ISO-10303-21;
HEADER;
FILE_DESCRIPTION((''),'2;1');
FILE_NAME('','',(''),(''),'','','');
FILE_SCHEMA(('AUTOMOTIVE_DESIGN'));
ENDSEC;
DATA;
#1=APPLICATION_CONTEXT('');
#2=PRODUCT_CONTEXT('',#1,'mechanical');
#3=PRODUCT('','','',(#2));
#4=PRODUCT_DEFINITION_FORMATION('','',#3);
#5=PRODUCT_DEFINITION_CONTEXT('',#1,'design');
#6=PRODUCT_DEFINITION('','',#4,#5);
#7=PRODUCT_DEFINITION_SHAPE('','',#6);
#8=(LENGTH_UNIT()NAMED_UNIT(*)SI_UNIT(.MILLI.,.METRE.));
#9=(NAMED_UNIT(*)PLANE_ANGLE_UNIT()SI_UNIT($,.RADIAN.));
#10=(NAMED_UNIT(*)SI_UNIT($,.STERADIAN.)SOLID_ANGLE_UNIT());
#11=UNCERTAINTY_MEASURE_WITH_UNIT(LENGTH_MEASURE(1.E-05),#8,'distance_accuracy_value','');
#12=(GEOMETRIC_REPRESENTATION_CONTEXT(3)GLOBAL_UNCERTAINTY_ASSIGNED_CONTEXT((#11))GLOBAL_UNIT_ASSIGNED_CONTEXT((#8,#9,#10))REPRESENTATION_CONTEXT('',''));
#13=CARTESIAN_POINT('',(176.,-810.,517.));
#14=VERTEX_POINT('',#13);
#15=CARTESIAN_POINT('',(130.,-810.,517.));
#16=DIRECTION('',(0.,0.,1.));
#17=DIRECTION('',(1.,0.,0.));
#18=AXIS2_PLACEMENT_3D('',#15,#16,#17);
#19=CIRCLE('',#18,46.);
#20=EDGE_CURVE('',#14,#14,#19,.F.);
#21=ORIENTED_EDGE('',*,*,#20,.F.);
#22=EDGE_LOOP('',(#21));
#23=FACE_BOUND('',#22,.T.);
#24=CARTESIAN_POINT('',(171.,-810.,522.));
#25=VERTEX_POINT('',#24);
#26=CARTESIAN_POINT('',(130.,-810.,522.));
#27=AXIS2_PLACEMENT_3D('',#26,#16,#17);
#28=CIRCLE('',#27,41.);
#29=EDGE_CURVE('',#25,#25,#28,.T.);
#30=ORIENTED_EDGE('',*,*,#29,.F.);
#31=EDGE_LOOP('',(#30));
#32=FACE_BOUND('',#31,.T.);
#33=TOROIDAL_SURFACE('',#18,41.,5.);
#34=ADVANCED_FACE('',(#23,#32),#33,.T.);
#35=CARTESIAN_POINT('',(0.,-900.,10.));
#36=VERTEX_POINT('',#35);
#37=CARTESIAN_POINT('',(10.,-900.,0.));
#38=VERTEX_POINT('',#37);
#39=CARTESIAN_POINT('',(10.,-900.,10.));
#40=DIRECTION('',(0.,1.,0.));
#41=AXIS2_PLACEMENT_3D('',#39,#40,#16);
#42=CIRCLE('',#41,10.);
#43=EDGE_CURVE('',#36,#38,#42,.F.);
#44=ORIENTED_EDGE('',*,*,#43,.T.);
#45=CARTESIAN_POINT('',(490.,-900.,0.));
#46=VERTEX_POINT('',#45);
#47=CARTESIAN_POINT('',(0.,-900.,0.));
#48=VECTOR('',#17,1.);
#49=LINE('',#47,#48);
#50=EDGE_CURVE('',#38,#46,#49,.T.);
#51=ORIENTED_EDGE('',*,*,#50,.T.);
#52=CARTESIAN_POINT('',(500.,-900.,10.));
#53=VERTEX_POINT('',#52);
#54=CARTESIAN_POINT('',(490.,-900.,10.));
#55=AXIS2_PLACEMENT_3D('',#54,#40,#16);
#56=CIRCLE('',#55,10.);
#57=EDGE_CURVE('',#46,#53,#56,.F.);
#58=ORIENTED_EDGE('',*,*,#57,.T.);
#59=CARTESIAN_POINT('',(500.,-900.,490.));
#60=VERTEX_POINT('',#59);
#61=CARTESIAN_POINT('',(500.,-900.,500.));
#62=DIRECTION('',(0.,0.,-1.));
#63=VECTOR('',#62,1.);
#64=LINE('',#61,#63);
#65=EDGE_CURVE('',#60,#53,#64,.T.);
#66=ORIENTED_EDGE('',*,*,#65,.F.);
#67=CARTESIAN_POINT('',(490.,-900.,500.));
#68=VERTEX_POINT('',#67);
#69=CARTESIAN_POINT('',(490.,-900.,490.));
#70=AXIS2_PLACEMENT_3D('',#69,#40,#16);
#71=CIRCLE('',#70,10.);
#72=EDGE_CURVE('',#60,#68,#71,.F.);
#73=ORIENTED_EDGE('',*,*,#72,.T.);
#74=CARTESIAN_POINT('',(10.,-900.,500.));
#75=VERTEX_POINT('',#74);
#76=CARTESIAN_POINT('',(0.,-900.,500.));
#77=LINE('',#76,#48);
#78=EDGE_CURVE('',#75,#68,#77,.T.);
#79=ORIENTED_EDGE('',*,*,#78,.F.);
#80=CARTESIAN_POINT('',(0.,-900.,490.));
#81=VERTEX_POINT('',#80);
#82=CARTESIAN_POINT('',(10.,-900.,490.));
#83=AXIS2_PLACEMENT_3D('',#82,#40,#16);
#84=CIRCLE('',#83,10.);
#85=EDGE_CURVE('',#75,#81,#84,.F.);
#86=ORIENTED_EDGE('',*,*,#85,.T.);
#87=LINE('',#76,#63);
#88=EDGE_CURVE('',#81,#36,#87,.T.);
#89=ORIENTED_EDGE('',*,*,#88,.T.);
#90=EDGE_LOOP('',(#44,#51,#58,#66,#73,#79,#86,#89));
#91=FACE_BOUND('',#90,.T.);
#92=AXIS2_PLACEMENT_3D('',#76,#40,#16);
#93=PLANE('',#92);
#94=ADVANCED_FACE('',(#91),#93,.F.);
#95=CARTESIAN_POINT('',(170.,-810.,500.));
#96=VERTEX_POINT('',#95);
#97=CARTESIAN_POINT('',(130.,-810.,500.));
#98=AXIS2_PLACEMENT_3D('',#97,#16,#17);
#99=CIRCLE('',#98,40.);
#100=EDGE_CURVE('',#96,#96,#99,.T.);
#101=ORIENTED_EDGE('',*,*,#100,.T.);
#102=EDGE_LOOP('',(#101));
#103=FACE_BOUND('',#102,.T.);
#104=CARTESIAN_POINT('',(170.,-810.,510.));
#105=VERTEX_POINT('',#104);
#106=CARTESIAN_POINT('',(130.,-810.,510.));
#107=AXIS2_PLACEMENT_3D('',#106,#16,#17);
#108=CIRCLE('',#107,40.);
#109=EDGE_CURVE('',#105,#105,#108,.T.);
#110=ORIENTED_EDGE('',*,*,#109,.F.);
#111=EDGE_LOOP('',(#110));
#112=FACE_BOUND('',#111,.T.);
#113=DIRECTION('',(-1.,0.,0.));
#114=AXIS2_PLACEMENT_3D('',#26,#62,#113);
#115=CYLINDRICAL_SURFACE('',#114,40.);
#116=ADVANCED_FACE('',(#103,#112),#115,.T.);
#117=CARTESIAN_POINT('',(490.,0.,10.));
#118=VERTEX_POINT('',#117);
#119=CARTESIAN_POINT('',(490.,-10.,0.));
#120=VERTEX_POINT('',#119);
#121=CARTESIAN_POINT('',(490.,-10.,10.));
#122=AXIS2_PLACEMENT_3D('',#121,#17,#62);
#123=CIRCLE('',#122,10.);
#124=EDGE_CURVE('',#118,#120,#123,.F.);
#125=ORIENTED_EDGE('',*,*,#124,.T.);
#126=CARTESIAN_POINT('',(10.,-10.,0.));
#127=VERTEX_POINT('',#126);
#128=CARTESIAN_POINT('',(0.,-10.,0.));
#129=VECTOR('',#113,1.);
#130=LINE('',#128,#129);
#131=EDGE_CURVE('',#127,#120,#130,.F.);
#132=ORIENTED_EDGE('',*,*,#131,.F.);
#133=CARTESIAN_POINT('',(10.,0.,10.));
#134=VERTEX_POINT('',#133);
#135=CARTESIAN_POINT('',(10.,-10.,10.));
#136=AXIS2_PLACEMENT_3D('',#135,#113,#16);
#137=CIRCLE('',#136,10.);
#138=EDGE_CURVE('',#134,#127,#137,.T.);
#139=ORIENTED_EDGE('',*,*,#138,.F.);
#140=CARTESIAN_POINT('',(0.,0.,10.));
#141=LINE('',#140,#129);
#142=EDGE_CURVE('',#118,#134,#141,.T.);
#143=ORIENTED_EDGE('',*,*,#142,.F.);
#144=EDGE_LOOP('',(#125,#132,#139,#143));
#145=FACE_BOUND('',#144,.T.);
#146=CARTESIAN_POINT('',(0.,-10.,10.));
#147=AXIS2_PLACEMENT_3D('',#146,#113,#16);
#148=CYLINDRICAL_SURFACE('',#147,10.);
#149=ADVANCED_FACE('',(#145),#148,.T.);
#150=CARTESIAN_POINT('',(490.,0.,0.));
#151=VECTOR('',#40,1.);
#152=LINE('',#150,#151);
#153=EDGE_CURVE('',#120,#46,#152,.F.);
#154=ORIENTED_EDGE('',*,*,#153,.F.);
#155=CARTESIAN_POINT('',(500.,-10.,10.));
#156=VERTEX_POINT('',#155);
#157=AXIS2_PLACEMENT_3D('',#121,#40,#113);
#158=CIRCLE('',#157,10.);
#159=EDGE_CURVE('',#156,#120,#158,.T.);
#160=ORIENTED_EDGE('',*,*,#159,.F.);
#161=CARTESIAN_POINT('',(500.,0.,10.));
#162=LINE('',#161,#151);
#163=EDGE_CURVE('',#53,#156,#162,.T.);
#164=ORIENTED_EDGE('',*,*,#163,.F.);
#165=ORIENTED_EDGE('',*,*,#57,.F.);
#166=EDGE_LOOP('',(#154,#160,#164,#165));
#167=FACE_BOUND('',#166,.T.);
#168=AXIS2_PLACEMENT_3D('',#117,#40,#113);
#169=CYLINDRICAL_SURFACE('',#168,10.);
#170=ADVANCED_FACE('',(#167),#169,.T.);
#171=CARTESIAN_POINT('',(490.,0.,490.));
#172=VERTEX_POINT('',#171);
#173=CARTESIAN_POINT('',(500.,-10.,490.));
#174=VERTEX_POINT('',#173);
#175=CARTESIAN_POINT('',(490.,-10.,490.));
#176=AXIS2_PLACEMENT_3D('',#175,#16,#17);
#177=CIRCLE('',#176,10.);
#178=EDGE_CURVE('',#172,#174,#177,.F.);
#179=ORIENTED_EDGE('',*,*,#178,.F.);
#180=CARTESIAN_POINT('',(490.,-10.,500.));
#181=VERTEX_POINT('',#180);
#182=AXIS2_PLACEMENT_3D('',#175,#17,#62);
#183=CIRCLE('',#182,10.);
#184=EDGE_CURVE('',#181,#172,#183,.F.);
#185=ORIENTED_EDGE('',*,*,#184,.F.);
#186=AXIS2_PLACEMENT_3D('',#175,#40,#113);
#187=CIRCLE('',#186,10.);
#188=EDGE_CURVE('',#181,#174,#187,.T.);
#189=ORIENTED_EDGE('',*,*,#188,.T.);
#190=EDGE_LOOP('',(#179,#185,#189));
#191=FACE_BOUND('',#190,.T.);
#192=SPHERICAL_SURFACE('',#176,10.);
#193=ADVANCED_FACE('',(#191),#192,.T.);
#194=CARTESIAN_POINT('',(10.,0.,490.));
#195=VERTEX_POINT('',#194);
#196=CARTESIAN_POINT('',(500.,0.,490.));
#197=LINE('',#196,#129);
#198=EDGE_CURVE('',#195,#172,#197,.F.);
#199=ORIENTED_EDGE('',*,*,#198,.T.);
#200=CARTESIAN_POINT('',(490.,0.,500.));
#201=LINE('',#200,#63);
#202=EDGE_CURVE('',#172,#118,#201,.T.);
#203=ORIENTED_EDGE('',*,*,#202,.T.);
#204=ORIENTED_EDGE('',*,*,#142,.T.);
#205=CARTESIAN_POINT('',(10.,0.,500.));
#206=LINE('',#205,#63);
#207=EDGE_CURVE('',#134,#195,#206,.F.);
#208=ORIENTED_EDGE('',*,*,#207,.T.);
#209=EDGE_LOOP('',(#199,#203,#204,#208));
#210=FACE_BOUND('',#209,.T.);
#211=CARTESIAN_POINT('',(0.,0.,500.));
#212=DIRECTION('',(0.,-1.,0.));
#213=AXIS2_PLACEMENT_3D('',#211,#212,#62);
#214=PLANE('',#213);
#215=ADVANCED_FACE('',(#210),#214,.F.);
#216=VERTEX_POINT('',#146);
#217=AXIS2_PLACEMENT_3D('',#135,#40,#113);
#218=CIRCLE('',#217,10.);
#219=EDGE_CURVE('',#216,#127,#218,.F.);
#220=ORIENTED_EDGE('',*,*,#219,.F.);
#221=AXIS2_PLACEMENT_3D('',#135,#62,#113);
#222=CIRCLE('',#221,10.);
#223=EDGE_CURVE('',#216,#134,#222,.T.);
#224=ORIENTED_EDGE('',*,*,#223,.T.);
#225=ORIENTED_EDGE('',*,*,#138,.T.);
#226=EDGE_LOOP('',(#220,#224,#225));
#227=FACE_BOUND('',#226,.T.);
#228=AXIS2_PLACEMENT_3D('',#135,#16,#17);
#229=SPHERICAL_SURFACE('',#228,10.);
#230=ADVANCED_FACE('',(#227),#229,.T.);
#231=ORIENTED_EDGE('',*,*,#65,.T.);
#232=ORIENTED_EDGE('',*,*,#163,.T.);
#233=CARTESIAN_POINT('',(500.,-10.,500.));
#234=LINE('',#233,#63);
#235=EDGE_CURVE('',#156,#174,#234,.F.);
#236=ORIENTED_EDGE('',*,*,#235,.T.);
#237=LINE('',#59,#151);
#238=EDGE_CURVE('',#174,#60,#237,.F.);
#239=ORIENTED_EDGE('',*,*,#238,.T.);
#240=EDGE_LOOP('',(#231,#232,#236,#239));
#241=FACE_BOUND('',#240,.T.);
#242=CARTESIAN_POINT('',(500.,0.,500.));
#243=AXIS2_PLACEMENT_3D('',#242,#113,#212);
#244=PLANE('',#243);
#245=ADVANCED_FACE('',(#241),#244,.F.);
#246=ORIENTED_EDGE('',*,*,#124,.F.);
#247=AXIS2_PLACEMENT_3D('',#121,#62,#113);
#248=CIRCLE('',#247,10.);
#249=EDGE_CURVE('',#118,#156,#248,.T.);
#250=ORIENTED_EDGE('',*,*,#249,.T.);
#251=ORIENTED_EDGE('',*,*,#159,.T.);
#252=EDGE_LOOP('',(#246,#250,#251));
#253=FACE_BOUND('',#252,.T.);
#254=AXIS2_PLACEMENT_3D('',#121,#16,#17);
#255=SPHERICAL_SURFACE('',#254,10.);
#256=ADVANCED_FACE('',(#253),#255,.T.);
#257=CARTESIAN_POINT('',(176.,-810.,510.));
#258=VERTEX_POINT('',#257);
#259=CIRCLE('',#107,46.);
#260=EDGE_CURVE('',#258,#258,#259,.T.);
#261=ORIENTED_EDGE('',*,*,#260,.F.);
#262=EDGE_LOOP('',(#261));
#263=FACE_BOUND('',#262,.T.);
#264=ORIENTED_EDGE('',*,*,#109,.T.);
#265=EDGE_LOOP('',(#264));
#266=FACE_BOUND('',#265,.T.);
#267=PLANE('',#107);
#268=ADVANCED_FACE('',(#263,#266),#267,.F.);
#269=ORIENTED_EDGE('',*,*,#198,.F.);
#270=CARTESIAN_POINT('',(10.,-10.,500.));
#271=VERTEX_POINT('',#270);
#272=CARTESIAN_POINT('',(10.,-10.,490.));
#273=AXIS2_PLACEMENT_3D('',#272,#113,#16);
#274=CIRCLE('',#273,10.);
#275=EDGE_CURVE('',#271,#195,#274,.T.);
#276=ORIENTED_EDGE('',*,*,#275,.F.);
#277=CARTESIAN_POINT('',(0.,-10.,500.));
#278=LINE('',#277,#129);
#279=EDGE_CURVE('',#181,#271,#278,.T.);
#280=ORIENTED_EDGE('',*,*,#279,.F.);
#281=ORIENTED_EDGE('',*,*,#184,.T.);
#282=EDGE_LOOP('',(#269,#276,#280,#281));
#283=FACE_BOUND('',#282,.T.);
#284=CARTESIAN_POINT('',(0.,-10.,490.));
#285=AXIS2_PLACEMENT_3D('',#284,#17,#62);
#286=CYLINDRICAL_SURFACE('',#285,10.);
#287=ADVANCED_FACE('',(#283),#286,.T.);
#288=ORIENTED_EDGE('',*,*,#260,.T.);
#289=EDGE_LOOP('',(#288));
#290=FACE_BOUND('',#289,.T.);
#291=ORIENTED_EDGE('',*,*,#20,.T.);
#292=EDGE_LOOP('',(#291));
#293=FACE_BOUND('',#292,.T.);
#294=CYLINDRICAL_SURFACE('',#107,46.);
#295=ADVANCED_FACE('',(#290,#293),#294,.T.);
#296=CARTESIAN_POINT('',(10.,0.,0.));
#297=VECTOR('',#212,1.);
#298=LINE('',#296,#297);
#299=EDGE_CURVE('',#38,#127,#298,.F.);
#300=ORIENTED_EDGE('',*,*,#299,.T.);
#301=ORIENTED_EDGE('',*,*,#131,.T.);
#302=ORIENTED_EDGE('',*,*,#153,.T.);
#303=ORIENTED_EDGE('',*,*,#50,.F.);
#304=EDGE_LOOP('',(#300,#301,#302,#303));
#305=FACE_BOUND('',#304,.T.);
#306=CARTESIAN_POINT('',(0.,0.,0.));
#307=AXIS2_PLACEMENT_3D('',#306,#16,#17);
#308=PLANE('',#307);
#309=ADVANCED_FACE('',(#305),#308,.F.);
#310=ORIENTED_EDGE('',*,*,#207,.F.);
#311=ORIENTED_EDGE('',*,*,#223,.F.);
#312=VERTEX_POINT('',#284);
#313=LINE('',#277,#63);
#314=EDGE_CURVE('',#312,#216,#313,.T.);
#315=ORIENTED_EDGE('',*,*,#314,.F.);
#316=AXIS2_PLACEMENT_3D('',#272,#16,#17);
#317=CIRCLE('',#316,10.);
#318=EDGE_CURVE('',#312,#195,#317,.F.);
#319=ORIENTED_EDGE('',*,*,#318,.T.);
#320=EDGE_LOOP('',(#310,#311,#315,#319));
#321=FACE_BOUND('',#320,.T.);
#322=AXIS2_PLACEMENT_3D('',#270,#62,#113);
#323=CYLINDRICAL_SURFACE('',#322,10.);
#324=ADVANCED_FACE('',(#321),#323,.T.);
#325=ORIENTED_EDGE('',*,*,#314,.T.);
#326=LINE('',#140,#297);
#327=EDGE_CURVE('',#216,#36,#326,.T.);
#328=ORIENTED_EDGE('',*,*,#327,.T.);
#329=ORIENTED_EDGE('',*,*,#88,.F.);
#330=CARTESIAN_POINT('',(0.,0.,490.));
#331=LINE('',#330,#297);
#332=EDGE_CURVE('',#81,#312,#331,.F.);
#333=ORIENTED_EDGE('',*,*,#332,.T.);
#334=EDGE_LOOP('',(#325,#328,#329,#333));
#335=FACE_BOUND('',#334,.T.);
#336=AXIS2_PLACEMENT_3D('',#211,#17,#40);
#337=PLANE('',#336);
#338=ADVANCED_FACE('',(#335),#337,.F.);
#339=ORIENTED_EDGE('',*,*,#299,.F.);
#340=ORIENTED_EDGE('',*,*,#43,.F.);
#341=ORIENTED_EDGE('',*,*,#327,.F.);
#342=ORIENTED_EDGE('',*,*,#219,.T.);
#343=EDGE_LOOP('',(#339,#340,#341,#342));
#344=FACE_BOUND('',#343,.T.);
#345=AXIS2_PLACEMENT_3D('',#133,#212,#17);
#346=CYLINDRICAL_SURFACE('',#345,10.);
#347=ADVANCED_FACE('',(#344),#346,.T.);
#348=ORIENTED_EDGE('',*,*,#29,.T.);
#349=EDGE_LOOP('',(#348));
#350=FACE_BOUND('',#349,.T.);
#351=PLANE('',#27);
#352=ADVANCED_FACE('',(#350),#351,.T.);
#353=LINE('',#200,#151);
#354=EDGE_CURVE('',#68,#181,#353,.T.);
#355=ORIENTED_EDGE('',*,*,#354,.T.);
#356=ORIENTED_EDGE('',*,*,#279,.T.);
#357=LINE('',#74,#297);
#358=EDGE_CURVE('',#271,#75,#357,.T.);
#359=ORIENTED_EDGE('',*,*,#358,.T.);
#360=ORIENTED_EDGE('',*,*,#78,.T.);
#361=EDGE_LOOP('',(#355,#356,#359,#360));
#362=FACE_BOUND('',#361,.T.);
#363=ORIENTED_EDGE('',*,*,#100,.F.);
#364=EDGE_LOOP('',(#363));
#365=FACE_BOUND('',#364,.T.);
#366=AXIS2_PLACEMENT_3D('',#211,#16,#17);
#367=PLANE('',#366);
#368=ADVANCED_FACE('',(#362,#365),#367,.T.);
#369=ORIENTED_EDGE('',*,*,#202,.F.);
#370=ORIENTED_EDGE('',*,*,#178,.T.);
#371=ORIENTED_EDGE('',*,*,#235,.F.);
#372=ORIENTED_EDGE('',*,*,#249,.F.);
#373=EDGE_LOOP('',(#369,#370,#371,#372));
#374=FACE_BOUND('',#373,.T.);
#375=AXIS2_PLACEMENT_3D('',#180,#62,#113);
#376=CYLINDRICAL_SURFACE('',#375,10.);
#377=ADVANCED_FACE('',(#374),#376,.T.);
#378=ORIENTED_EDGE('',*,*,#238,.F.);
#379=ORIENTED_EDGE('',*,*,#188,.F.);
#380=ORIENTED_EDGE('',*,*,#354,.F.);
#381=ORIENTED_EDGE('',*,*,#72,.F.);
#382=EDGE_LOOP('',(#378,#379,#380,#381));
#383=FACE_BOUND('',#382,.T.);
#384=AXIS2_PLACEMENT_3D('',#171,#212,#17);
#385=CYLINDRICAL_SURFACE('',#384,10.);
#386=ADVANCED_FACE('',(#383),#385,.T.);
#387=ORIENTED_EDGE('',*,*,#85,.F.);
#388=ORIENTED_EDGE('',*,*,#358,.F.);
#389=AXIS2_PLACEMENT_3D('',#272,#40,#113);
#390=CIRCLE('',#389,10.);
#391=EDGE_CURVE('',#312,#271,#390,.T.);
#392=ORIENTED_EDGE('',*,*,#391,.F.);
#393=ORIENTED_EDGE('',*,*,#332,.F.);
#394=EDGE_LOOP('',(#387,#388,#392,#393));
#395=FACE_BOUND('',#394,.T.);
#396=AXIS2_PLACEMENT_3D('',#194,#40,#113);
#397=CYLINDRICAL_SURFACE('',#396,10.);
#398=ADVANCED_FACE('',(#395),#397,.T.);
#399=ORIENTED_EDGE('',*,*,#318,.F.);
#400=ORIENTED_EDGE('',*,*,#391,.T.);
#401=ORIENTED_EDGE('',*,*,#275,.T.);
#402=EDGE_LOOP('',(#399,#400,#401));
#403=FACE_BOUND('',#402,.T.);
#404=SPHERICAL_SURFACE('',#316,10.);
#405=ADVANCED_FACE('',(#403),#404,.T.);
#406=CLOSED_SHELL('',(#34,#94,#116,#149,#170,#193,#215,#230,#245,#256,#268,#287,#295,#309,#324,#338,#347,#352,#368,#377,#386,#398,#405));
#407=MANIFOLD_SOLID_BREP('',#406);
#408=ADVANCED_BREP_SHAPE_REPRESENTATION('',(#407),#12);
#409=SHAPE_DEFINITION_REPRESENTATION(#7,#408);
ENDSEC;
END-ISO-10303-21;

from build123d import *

# Parameters (mm, degrees)
CROQUIS1_W              = 500
CROQUIS1_H              = 900
SALIENTE_EXTRUIR1_DEPTH = 500
REDONDEO1_R             = 10
CROQUIS2_R              = 40
SALIENTE_EXTRUIR2_DEPTH = 22
CROQUIS3_R              = 46
SALIENTE_EXTRUIR3_DEPTH = 12
REDONDEO2_R             = 5


with BuildPart() as part:
    # Croquis1 → Saliente-Extruir1 (new body)
    with BuildSketch(Plane.XY):
        with Locations((250, -450)):
            Rectangle(CROQUIS1_W, CROQUIS1_H)
    extrude(amount=SALIENTE_EXTRUIR1_DEPTH)

    # Redondeo1
    redondeo1_edges = [part.edges().sort_by_distance(p)[0] for p in [
        (500, -450, 500),
        (250, 0, 500),
        (0, -450, 500),
        (250, 0, 0),
        (500, -450, 0),
        (0, -450, 0),
        (0, 0, 250),
        (500, 0, 250),
    ]]
    fillet(redondeo1_edges, radius=REDONDEO1_R)

    # Croquis2 → Saliente-Extruir2 (add)
    with BuildSketch(Plane.XY.offset(500)):
        with Locations((130, -810)):
            Circle(CROQUIS2_R)
    extrude(amount=SALIENTE_EXTRUIR2_DEPTH)

    # Croquis3 → Saliente-Extruir3 (add)
    with BuildSketch(Plane.XY.offset(522)):
        with Locations((130, -810)):
            Circle(CROQUIS3_R)
    extrude(amount=-SALIENTE_EXTRUIR3_DEPTH)

    # Redondeo2
    redondeo2_edges = [part.edges().sort_by_distance(p)[0] for p in [
        (84, -810, 522),
    ]]
    fillet(redondeo2_edges, radius=REDONDEO2_R)


solid = part.part
